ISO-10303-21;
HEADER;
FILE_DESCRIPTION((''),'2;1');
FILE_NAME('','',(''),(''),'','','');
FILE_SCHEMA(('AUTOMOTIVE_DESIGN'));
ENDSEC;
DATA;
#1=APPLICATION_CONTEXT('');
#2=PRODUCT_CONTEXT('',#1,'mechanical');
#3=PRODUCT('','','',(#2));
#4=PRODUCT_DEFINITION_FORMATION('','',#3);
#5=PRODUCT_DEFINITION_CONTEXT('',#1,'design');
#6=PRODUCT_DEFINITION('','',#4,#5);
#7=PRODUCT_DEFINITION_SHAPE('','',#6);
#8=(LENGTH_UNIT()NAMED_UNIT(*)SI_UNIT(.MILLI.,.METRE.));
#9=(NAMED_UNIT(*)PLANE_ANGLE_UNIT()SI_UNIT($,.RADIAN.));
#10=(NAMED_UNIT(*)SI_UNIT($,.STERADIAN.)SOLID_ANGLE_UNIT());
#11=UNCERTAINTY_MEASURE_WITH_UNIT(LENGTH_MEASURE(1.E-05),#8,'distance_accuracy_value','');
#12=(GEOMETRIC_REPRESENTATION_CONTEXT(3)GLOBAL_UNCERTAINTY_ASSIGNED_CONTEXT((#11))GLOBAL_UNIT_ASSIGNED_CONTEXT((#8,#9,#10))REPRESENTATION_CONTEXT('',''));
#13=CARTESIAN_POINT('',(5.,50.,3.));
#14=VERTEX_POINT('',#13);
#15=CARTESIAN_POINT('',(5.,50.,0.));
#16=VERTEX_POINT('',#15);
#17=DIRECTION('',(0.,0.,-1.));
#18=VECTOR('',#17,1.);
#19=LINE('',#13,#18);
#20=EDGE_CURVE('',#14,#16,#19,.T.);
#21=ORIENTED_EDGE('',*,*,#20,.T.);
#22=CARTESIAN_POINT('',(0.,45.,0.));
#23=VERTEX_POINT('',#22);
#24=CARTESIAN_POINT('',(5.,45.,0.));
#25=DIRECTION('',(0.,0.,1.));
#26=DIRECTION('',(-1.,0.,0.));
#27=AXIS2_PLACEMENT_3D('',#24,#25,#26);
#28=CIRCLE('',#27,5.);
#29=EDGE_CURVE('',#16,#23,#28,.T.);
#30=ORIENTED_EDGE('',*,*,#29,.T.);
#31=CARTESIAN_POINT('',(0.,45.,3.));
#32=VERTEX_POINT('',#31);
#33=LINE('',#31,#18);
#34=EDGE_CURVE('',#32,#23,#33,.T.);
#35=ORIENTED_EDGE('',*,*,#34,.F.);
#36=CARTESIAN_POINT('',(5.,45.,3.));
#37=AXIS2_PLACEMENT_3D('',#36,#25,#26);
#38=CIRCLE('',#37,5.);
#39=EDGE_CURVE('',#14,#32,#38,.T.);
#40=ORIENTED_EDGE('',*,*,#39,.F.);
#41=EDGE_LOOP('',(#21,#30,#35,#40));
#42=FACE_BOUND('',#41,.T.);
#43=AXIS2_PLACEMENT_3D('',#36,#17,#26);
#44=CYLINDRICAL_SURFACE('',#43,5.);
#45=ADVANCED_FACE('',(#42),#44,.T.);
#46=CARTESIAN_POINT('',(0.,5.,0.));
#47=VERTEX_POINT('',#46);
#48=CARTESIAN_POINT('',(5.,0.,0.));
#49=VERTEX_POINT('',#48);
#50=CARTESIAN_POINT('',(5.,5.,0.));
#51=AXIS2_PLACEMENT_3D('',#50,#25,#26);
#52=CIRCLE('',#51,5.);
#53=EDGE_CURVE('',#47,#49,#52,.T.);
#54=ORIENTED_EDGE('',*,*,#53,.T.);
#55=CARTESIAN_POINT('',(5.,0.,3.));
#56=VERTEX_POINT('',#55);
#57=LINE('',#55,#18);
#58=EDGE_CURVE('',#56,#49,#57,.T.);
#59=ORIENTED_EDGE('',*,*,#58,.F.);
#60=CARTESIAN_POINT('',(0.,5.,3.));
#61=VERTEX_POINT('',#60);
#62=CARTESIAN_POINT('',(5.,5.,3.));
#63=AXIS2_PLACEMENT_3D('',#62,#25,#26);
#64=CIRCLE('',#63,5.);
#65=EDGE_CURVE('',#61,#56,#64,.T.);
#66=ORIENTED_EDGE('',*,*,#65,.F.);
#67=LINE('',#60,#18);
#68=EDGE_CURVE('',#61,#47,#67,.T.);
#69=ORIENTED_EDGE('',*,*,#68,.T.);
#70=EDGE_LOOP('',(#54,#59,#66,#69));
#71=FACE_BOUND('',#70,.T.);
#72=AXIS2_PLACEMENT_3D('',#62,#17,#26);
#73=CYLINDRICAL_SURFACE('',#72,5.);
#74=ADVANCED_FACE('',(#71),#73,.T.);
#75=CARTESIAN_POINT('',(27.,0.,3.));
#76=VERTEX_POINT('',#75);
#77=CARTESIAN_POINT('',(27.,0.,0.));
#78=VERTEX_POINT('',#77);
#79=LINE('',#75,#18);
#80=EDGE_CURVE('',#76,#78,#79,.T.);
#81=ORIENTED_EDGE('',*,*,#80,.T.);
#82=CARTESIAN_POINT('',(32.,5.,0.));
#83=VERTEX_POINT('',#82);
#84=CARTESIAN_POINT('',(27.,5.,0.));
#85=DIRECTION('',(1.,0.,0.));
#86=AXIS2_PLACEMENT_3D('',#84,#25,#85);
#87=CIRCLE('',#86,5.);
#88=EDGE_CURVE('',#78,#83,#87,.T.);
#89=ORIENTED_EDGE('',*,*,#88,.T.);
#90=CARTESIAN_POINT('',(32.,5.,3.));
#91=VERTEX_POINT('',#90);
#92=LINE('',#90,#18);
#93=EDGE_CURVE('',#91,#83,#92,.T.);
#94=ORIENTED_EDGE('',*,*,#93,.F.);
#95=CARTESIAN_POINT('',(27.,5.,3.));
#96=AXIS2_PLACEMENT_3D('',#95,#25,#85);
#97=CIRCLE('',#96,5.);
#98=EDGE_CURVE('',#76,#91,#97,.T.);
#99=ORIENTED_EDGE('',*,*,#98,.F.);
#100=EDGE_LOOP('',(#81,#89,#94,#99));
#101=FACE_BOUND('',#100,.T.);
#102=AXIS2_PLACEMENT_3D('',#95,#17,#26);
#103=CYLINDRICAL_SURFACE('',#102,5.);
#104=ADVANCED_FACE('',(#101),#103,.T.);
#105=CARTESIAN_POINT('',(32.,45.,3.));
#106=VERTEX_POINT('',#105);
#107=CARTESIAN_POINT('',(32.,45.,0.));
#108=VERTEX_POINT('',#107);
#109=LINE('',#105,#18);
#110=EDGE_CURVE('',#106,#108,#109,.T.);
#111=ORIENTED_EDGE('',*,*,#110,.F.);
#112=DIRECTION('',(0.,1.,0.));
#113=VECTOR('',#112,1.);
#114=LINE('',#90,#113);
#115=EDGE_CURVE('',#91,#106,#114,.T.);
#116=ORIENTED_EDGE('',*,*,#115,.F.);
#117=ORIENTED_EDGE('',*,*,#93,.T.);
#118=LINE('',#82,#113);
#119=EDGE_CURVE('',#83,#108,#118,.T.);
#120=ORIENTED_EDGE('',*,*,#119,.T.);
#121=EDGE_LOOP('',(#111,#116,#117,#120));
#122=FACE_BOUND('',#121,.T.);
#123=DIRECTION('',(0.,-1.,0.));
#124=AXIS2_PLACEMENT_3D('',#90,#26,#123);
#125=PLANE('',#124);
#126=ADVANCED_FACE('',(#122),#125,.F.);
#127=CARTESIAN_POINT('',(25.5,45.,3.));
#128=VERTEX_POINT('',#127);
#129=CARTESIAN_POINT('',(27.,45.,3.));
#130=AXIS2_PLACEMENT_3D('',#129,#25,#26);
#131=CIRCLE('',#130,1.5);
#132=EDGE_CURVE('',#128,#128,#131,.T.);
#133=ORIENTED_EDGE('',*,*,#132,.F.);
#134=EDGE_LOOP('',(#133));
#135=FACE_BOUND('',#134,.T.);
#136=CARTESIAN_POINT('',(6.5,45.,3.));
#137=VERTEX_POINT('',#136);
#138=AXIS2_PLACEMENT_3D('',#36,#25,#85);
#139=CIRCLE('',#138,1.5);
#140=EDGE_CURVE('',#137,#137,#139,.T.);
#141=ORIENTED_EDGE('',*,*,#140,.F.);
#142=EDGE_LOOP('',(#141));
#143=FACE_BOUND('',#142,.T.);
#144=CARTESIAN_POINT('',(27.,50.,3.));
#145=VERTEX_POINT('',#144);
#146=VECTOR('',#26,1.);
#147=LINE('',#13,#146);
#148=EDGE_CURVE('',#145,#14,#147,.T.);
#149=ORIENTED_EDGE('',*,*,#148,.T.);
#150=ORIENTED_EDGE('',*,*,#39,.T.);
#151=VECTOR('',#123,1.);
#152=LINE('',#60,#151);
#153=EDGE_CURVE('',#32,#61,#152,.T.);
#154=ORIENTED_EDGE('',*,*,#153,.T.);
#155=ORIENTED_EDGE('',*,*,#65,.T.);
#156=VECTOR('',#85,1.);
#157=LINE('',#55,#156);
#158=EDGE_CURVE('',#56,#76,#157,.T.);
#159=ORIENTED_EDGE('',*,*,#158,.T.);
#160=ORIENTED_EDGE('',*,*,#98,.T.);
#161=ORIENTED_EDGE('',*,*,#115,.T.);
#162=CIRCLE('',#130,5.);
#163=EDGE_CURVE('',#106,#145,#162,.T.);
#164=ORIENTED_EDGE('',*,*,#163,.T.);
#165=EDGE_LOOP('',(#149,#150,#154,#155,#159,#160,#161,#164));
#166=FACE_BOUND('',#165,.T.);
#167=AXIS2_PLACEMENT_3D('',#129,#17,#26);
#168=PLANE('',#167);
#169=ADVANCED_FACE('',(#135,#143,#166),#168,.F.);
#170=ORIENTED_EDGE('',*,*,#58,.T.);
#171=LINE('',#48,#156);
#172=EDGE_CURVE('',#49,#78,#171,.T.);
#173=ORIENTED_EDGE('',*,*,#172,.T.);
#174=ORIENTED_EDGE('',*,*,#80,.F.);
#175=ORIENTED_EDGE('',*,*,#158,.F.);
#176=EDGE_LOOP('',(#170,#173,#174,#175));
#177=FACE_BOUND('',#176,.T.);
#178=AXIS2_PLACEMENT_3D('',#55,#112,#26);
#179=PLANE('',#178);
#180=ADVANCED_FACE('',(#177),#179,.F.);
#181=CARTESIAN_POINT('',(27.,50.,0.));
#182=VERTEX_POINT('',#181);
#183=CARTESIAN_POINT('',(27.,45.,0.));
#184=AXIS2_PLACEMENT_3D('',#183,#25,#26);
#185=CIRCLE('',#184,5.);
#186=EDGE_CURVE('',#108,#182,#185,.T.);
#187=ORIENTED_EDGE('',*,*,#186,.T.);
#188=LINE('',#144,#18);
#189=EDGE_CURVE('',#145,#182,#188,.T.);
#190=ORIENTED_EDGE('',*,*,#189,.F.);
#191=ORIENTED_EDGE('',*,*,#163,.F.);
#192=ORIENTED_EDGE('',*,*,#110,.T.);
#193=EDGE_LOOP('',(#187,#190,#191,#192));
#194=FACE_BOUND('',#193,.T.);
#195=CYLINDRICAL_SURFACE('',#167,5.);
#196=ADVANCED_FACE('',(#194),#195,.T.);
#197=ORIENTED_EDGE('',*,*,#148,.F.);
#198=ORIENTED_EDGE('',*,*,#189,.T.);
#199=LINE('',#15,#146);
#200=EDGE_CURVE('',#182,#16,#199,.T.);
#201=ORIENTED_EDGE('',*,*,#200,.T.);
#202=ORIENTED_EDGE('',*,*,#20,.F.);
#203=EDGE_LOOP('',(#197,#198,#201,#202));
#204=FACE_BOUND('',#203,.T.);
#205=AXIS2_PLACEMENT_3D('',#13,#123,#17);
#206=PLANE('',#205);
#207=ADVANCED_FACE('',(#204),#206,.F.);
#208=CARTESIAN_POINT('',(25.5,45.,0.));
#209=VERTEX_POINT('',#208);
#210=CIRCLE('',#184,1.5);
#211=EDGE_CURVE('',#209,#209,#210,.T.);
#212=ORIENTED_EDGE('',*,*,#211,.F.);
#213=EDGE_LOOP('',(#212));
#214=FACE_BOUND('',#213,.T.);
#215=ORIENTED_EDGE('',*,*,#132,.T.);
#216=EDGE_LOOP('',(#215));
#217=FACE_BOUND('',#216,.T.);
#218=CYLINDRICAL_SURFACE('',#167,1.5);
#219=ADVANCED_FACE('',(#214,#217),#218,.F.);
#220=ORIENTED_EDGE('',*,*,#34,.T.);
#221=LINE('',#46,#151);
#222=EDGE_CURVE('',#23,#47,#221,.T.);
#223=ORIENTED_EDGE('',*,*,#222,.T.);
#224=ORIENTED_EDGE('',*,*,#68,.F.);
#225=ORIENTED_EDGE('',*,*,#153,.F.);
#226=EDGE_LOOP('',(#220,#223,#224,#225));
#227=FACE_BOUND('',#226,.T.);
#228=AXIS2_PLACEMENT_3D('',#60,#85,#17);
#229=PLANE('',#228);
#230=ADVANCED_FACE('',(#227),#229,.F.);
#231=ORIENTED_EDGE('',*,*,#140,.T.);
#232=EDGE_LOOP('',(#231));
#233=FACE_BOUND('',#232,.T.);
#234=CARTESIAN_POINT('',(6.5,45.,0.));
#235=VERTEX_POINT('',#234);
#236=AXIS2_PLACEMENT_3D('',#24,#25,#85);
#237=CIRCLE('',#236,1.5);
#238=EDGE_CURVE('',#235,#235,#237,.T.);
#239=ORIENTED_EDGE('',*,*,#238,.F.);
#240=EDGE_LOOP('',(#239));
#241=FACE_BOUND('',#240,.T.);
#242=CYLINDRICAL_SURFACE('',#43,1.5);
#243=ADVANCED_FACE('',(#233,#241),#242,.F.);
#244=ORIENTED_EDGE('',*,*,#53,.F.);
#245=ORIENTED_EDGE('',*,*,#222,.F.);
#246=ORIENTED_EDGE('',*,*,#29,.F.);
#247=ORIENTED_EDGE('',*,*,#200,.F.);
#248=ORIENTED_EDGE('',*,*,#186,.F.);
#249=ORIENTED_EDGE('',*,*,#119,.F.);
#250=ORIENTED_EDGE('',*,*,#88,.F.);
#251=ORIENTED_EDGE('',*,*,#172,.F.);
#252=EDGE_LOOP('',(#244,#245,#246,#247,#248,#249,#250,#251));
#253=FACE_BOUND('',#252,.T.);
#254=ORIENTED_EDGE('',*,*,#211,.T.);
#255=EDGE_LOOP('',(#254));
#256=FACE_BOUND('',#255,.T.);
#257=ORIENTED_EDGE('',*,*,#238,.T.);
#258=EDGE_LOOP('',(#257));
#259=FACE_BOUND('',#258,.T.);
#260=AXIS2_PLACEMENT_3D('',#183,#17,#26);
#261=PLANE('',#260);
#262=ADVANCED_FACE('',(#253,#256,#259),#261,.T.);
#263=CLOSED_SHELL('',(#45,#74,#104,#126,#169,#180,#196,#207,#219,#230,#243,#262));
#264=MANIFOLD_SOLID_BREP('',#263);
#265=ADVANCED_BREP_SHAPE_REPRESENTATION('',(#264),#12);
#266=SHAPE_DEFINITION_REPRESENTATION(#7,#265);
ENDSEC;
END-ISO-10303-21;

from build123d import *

# Parameters (mm, degrees)
SKETCH1_R           = 1.5
BOSS_EXTRUDE1_DEPTH = 3


with BuildPart() as part:
    # Sketch1 → Boss-Extrude1 (new body)
    with BuildSketch(Plane.XY):
        with BuildLine():
            Line((5, 0), (27, 0))
            ThreePointArc((27, 0), (30.535533906, 1.464466094), (32, 5))
            Line((32, 5), (32, 45))
            ThreePointArc((32, 45), (30.535533906, 48.535533906), (27, 50))
            Line((27, 50), (5, 50))
            ThreePointArc((5, 50), (1.464466094, 48.535533906), (0, 45))
            Line((0, 45), (0, 5))
            ThreePointArc((0, 5), (1.464466094, 1.464466094), (5, 0))
        make_face()
        with Locations((5, 45)):
            Circle(SKETCH1_R, mode=Mode.SUBTRACT)
        with Locations(Location((27, 45, 0), (0, 0, 180))):
            Circle(SKETCH1_R, mode=Mode.SUBTRACT)
    extrude(amount=BOSS_EXTRUDE1_DEPTH)


solid = part.part
